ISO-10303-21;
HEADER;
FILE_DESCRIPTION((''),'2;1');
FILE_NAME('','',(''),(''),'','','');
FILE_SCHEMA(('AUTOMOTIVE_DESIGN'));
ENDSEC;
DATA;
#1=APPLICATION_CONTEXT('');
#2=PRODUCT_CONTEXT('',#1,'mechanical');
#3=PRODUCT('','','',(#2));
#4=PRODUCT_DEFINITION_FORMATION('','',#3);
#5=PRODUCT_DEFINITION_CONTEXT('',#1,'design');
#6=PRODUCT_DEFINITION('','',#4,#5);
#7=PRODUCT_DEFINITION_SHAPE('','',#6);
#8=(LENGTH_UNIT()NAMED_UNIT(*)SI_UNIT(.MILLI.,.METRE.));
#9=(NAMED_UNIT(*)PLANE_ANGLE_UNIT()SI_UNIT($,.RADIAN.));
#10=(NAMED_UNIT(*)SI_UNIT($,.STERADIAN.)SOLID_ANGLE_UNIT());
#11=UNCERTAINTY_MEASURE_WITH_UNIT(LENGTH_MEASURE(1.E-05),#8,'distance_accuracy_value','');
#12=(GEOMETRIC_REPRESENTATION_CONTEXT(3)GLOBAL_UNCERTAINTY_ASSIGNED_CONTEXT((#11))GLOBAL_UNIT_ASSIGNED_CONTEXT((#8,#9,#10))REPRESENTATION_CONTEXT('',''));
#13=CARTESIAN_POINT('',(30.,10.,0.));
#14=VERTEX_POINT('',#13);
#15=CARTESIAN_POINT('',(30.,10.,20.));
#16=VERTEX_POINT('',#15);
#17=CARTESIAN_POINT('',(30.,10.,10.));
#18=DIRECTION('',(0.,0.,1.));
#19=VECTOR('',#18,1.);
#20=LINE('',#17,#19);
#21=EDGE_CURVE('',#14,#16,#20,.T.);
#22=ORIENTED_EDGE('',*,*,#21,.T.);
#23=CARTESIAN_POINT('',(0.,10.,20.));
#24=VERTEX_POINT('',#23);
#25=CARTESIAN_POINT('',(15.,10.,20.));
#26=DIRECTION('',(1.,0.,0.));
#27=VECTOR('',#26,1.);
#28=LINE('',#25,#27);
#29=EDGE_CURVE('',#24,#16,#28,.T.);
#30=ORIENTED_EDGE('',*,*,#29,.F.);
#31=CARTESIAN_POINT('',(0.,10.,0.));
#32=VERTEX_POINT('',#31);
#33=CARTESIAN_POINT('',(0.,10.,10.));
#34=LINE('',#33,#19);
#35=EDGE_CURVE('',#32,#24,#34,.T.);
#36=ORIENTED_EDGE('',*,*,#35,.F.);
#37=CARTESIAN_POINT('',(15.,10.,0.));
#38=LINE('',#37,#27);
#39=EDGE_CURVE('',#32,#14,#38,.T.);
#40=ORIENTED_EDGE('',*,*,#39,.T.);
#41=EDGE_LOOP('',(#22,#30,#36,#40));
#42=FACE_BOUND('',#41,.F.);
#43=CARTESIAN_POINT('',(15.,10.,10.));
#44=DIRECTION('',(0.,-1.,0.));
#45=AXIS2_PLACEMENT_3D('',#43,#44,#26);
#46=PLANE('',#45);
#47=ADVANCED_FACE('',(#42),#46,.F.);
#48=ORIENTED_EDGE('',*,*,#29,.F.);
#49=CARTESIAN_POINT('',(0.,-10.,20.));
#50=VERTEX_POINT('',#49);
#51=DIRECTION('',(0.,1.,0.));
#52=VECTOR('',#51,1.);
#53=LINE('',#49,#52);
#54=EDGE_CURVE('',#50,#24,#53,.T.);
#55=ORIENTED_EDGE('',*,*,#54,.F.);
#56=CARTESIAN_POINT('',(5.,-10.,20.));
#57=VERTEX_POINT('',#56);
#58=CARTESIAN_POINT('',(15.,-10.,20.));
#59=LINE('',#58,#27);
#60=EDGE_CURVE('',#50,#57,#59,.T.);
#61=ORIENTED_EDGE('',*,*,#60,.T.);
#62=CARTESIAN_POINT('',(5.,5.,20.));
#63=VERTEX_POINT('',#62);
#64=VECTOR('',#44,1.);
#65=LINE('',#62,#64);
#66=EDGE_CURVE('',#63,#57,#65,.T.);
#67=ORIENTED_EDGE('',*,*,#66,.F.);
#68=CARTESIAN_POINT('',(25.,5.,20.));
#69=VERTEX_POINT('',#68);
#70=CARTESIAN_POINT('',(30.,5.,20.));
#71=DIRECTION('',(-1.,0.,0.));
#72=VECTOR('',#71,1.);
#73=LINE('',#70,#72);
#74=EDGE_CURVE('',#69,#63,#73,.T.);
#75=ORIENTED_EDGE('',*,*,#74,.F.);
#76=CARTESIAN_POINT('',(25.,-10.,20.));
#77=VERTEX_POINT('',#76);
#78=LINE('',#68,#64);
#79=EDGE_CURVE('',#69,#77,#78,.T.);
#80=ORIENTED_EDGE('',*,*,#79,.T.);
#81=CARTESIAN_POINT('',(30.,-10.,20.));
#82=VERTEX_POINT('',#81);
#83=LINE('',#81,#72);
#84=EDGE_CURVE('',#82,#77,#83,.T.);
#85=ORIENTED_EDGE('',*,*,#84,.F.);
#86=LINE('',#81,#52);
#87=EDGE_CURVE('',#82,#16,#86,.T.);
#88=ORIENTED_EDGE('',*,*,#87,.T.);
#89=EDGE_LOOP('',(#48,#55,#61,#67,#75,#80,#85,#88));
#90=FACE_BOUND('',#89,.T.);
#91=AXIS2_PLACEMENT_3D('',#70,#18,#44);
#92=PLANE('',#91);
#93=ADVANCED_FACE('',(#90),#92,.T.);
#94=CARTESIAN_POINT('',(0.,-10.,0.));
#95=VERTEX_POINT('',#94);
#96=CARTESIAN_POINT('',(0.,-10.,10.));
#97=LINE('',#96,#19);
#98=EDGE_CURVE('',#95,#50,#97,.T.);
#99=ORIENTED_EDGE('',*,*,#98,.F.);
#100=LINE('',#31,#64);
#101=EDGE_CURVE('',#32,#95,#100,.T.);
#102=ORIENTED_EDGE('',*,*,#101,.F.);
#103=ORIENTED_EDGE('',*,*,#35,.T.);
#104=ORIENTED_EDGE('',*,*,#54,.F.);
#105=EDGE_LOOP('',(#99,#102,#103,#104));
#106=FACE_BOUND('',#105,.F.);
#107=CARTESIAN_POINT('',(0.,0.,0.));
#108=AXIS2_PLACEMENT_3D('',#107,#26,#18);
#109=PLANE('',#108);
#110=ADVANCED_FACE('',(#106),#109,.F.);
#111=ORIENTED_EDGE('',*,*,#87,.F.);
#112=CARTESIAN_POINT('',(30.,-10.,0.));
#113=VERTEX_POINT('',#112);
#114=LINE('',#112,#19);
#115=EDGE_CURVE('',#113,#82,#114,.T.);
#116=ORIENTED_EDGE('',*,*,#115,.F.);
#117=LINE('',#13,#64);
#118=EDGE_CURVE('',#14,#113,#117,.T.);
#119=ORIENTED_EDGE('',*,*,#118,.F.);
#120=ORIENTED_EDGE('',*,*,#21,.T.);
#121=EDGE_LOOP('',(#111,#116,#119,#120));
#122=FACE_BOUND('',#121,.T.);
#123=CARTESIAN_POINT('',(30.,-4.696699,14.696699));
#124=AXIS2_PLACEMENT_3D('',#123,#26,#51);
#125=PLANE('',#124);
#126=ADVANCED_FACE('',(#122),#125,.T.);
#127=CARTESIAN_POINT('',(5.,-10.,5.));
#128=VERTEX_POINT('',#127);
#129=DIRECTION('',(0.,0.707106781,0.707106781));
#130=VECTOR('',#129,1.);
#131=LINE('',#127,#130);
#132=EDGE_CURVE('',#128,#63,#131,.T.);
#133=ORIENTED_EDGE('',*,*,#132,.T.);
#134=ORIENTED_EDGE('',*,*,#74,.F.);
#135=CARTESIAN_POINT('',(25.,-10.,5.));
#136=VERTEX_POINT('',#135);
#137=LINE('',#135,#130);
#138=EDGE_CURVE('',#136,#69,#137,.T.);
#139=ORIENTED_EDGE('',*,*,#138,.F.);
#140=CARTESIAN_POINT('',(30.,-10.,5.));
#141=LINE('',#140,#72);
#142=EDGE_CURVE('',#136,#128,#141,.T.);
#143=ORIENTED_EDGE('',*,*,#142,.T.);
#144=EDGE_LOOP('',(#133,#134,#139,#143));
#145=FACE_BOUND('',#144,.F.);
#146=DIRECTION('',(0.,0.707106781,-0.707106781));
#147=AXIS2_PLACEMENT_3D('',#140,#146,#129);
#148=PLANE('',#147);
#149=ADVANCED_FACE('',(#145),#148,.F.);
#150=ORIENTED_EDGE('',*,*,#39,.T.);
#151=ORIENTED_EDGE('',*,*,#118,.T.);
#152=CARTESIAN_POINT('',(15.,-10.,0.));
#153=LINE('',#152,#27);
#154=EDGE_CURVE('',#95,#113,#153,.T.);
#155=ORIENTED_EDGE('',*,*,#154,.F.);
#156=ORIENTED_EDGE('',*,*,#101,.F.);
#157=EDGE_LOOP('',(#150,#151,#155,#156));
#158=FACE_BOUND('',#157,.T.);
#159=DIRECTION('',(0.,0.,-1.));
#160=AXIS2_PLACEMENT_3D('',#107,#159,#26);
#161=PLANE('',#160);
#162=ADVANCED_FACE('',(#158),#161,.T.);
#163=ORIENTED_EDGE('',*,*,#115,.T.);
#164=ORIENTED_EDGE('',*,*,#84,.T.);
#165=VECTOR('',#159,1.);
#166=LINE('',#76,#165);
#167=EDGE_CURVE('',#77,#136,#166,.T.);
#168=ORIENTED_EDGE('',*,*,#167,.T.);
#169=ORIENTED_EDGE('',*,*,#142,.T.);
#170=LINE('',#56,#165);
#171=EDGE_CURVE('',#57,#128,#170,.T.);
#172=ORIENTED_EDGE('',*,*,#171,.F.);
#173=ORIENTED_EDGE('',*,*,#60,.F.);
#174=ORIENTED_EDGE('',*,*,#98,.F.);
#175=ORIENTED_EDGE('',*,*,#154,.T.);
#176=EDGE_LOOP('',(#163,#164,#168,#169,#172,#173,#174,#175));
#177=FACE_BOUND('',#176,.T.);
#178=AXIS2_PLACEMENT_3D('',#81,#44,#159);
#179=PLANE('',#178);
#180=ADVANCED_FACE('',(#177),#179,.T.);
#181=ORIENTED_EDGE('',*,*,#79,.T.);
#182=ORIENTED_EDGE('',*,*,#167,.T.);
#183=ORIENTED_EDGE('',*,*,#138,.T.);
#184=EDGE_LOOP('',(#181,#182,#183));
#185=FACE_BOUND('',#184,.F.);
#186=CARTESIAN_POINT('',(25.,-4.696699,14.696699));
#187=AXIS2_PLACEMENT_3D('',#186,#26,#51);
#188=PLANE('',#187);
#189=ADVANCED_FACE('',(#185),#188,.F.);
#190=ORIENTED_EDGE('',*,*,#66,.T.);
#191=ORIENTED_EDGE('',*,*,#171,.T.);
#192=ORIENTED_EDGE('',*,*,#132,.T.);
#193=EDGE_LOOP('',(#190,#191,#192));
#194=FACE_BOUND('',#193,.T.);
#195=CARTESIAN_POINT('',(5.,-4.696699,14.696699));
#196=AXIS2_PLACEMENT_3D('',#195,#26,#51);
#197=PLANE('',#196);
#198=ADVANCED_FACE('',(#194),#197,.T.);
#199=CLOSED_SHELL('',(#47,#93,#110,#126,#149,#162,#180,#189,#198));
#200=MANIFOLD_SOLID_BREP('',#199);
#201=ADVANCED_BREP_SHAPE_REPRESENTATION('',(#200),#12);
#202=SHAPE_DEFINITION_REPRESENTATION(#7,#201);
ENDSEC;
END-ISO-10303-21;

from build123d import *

# Parameters (mm, degrees)
F0_W     = 30
F0_H     = 20
F1_DEPTH = 10
F3_DEPTH = 25
F5_DEPTH = 5


with BuildPart() as f1:
    # F0 (on Front) → F1 (new body, symmetric)
    with BuildSketch(Plane.XZ):
        with Locations((15, 10)):
            Rectangle(F0_W, F0_H)
    extrude(amount=F1_DEPTH, both=True)

    # F2 (on face) → F3 (cut)
    with BuildSketch(Plane.YZ.offset(30)):
        Polygon((5, 20), (-10, 20), (-10, 5), align=None)
    extrude(amount=-F3_DEPTH, mode=Mode.SUBTRACT)

    # F4 (on face) → F5 (join)
    with BuildSketch(Plane.YZ.offset(30)):
        Polygon((-10, 20), (-10, 5), (5, 20), align=None)
    extrude(amount=-F5_DEPTH)


solid = f1.part
